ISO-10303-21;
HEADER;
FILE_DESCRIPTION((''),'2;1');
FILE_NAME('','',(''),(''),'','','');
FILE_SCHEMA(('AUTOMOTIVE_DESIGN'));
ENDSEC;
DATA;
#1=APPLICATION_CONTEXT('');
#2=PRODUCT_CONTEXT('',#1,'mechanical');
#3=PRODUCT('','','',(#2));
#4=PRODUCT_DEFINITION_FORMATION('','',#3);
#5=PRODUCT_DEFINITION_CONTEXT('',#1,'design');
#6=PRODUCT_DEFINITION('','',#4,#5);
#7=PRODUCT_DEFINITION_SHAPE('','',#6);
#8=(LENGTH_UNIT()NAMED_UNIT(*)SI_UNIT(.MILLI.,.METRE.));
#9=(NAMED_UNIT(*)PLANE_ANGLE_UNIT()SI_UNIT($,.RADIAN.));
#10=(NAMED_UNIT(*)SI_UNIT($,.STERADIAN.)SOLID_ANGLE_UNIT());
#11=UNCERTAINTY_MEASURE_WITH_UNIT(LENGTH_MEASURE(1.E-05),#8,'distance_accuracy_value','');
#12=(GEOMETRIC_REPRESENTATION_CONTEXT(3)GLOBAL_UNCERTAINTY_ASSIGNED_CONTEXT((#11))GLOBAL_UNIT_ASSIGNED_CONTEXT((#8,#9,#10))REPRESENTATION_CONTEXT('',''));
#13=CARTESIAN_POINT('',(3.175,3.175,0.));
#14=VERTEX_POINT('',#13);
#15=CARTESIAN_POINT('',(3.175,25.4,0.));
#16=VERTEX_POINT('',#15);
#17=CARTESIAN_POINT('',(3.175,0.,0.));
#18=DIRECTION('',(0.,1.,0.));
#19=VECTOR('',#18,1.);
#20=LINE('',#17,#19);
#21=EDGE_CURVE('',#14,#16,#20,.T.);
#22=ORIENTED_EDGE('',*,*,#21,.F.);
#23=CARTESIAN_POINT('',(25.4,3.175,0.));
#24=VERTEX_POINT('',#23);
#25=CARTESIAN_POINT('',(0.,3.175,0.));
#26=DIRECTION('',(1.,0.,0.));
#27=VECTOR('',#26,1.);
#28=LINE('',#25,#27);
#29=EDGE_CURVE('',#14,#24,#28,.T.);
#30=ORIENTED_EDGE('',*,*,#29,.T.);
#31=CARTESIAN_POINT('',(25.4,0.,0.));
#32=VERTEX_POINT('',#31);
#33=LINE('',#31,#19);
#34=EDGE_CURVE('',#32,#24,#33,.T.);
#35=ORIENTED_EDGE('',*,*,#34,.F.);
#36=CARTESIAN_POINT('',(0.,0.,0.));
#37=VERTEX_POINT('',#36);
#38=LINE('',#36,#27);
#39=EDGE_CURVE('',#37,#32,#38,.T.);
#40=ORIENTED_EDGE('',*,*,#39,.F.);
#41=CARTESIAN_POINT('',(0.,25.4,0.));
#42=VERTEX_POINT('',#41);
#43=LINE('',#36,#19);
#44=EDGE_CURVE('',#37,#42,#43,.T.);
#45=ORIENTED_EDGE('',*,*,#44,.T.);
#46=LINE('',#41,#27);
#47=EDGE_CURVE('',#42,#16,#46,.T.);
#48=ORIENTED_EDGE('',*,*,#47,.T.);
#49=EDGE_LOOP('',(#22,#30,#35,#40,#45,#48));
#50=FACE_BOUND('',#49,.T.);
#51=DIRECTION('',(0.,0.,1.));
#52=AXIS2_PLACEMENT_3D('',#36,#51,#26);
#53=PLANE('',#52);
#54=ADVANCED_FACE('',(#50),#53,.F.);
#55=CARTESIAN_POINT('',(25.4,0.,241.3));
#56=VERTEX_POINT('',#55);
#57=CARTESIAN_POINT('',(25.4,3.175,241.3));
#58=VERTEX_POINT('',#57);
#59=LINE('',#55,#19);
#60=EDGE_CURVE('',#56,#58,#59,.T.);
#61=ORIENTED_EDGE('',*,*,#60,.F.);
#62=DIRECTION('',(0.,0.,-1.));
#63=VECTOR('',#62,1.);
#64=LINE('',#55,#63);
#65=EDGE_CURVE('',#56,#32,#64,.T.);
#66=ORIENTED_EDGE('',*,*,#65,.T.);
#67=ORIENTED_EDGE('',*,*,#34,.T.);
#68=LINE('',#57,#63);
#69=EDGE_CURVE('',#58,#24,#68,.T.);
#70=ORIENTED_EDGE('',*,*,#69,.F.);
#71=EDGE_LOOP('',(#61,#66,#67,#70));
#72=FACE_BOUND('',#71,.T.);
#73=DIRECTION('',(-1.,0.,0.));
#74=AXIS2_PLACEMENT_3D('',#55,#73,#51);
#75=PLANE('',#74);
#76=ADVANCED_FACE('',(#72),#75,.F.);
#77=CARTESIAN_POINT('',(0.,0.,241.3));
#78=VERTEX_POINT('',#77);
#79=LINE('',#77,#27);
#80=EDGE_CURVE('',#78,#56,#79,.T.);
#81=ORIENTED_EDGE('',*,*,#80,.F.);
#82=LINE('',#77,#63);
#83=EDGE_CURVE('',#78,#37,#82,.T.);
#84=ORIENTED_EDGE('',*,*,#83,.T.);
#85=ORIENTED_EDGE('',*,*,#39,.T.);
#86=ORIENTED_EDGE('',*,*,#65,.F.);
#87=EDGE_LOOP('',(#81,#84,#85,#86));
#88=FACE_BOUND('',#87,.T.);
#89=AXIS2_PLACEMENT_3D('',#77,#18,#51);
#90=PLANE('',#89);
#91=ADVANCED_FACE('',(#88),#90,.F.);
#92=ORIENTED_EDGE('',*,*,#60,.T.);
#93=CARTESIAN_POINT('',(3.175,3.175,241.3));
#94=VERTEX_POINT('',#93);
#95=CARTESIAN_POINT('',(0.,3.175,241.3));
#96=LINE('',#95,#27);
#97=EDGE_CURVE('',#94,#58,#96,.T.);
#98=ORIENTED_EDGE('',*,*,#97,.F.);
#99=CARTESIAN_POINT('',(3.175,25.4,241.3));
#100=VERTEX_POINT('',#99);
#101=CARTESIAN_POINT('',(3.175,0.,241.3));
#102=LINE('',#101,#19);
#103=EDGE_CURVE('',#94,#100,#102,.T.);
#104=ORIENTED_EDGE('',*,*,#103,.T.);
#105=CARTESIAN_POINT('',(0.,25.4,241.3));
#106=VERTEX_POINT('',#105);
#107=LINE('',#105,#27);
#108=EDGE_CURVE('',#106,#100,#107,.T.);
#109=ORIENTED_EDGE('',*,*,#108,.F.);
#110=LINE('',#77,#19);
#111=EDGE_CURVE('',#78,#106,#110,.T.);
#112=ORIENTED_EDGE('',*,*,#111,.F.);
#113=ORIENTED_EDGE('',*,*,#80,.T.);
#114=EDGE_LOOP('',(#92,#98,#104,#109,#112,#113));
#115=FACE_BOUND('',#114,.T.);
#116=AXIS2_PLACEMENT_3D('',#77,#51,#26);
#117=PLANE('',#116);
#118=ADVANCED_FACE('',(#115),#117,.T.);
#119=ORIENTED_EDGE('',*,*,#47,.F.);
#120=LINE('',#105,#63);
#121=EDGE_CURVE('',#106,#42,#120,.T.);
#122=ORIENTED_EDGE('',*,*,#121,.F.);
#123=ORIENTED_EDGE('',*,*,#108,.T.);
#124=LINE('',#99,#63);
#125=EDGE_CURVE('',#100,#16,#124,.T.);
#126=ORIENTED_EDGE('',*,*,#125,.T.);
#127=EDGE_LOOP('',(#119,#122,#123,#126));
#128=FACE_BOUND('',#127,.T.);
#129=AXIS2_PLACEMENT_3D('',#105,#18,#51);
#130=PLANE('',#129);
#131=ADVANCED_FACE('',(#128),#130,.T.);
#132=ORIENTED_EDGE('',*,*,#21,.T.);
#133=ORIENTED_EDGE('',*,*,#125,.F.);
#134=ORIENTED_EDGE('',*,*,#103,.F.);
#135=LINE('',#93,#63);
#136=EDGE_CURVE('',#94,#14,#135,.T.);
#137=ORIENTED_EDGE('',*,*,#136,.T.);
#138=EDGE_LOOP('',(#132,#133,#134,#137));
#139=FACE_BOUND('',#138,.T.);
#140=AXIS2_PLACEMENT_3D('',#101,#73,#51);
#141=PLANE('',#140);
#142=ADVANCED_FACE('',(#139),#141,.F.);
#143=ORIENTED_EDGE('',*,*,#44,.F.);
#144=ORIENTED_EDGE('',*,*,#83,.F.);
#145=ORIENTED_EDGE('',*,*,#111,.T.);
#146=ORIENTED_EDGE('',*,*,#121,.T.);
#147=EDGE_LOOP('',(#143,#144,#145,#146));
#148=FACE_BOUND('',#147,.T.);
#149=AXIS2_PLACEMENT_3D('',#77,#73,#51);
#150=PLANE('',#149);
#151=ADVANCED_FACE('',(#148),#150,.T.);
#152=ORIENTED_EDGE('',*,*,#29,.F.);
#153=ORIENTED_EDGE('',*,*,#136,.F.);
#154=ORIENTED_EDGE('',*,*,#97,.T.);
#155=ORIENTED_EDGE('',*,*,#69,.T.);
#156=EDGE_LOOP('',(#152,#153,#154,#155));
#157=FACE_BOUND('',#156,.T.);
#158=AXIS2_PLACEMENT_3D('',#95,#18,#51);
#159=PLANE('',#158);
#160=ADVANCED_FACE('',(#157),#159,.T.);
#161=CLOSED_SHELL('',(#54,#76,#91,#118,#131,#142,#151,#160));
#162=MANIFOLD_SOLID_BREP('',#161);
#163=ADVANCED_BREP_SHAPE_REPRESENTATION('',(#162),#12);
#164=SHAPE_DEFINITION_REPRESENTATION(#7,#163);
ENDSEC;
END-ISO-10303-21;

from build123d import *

# Parameters (mm, degrees)
SKETCH1_W           = 3.175
SKETCH1_H           = 22.225
SKETCH1_W_2         = 25.4
SKETCH1_H_2         = 3.175
BOSS_EXTRUDE1_DEPTH = 241.3


with BuildPart() as part:
    # Sketch1 → Boss-Extrude1 (new body)
    with BuildSketch(Plane.XY):
        with Locations((1.5875, 14.2875)):
            Rectangle(SKETCH1_W, SKETCH1_H)
        with Locations((12.7, 1.5875)):
            Rectangle(SKETCH1_W_2, SKETCH1_H_2)
    extrude(amount=BOSS_EXTRUDE1_DEPTH)


solid = part.part
